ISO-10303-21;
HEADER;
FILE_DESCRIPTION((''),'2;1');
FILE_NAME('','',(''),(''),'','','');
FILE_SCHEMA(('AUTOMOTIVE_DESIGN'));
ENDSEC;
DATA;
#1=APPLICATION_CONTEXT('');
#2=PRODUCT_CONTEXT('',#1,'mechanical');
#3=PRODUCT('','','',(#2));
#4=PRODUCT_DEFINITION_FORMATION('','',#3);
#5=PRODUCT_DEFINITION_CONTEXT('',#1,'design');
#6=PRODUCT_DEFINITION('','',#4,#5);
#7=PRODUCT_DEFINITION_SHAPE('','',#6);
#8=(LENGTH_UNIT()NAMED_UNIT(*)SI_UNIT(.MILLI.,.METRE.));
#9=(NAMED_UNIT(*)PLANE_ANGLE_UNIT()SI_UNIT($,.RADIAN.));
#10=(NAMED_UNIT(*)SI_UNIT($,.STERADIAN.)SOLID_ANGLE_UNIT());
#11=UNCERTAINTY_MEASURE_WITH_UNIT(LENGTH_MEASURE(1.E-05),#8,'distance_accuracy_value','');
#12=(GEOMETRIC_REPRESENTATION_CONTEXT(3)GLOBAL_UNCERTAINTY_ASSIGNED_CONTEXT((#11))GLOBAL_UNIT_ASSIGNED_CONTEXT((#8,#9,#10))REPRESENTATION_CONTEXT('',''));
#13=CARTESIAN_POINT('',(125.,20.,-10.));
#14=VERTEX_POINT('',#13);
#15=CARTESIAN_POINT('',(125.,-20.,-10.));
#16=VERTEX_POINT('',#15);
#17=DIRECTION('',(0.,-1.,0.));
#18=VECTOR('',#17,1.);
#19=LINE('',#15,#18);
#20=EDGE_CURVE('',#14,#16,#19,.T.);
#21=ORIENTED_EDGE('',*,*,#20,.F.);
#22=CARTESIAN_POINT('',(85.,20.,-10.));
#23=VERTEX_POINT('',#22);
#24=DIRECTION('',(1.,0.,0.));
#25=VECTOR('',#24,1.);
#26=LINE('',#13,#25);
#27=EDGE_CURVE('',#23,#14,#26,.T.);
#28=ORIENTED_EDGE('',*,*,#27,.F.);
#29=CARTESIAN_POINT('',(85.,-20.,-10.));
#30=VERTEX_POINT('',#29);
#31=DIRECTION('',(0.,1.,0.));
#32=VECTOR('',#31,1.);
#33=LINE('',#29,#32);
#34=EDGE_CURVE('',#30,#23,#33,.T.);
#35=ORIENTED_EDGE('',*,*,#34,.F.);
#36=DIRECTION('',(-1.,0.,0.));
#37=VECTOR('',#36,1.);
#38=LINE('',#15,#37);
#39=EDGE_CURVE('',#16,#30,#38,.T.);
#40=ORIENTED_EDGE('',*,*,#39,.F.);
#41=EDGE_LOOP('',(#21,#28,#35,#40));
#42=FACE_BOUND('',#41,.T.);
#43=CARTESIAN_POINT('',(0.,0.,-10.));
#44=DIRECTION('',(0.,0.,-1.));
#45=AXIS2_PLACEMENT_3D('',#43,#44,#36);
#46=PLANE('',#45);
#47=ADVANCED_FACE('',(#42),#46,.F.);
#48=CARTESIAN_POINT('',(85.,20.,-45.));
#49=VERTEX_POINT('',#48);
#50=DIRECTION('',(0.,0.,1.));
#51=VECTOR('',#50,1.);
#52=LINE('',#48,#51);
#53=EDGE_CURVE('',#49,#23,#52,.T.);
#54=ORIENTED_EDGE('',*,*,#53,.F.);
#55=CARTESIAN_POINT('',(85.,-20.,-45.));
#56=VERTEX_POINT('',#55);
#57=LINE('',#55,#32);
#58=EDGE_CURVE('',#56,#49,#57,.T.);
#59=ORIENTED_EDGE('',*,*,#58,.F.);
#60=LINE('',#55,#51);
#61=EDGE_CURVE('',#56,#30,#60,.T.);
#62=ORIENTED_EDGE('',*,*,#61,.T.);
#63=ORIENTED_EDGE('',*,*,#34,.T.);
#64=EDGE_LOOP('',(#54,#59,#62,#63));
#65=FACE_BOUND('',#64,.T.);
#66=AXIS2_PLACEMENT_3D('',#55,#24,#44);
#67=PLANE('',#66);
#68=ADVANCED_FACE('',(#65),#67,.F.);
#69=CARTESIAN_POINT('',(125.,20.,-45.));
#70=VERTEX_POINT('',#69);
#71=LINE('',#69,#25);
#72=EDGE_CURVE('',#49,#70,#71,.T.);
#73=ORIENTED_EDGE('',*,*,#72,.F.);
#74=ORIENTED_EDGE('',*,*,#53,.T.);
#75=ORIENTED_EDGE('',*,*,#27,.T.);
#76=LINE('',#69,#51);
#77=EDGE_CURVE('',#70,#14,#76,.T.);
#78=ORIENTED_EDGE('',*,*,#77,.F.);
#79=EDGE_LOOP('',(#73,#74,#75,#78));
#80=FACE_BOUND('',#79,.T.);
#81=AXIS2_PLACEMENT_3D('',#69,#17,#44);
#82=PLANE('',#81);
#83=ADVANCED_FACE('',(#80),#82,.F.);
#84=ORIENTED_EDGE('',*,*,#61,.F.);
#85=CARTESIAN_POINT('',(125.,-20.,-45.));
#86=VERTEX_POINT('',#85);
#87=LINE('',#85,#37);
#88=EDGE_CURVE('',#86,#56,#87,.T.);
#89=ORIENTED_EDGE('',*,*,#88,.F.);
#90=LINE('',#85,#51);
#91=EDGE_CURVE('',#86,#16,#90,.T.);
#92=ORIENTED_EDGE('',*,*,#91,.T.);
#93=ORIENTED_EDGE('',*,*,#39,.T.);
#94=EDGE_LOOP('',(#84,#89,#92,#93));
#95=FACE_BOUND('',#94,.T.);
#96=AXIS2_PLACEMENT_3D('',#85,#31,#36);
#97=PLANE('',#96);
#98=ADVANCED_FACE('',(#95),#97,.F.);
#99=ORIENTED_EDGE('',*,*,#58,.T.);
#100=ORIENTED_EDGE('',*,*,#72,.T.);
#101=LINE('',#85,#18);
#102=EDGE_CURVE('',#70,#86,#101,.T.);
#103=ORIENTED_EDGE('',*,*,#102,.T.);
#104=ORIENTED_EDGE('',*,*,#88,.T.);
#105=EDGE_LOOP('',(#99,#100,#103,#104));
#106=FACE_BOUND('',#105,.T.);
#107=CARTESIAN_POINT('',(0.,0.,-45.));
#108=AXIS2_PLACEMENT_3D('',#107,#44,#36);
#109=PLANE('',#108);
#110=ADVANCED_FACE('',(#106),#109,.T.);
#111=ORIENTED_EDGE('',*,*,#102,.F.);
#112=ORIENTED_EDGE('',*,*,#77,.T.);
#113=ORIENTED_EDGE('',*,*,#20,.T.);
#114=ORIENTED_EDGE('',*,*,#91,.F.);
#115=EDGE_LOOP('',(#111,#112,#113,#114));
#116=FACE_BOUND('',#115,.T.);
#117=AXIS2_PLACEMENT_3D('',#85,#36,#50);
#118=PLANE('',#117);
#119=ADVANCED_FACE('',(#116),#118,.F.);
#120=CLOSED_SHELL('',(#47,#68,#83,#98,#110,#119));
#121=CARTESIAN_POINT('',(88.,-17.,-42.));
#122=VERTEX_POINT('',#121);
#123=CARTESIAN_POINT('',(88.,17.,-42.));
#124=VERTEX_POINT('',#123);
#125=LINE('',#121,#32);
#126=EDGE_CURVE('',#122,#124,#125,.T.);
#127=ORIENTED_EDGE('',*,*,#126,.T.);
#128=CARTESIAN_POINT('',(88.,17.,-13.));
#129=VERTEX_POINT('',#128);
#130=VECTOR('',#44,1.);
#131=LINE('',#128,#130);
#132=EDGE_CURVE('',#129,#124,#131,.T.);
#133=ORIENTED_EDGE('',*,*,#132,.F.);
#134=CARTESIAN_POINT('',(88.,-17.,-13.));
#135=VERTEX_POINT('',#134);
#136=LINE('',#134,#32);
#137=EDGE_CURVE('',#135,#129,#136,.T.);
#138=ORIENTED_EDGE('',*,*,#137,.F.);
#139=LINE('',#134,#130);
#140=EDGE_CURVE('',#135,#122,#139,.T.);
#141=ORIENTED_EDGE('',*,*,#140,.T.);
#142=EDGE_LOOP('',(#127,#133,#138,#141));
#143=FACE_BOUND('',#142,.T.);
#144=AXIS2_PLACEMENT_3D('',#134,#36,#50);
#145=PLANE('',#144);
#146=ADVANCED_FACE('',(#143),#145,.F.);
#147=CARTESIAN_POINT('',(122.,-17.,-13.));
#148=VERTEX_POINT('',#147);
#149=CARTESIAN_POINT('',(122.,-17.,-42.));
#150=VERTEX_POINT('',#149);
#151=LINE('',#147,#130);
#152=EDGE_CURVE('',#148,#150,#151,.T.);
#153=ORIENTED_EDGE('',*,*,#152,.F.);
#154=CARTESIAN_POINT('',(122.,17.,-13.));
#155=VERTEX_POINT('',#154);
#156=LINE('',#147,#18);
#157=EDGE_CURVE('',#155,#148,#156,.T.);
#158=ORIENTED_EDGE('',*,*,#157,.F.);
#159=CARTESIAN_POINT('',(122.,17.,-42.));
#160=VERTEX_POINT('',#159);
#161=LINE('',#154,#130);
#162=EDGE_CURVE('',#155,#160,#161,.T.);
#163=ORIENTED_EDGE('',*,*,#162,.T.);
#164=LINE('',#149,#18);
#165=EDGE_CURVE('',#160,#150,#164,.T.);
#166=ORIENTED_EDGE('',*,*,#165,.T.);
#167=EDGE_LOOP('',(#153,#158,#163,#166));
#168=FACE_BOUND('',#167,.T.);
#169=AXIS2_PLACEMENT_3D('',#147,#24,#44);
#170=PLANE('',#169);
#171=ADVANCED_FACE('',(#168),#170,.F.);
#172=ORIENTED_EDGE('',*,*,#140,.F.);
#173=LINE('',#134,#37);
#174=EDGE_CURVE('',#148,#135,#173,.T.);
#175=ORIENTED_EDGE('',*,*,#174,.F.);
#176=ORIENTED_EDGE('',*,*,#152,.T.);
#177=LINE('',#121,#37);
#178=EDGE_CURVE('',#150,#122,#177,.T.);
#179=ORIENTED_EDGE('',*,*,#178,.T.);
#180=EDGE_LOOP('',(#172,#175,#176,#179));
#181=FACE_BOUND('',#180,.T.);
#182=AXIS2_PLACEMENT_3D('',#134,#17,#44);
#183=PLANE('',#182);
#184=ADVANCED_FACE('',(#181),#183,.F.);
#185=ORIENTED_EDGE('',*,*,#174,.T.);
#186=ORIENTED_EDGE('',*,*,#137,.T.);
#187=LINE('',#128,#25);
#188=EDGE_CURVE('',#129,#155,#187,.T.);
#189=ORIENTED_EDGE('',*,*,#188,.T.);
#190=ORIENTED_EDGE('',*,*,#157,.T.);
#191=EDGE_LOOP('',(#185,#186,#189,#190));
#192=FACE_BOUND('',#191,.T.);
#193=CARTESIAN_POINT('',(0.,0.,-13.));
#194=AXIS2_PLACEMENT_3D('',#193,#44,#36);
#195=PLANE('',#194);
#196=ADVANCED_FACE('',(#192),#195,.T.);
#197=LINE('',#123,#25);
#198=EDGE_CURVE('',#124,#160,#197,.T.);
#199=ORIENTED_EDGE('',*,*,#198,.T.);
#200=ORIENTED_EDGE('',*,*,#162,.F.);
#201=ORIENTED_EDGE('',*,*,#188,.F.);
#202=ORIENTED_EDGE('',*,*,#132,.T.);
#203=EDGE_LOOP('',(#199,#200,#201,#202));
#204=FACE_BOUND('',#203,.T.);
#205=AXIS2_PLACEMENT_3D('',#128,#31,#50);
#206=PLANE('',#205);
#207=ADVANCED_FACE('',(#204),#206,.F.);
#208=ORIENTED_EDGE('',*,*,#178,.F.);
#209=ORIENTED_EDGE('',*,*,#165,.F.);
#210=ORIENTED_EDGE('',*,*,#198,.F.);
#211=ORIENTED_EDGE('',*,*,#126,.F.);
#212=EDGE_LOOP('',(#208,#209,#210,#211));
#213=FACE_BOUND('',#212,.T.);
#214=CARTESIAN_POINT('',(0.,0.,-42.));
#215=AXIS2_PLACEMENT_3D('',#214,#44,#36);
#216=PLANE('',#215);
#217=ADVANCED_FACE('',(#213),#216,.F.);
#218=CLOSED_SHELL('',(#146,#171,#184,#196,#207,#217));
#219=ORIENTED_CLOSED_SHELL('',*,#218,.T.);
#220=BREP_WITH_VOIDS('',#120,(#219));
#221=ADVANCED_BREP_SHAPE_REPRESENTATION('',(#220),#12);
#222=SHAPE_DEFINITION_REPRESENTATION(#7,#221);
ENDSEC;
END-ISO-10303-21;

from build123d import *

# Parameters (mm, degrees)
SKETCH4_W           = 40
SKETCH4_H           = 40
BOSS_EXTRUDE2_DEPTH = 35
CUT_EXTRUDE1_START  = -3
SKETCH5_W           = 34
SKETCH5_H           = 34
CUT_EXTRUDE1_DEPTH  = 29


with BuildPart() as part:
    # Sketch4 → Boss-Extrude2 (new body)
    with BuildSketch(Plane(origin=(0, 0, -10), x_dir=(-1, 0, 0), z_dir=(0, 0, -1))):
        with Locations((-105, 0)):
            Rectangle(SKETCH4_W, SKETCH4_H)
    extrude(amount=BOSS_EXTRUDE2_DEPTH)

    # Sketch5 → Cut-Extrude1 (cut)
    with BuildSketch(Plane(origin=(0, 0, -45), x_dir=(-1, 0, 0), z_dir=(0, 0, -1)).offset(CUT_EXTRUDE1_START)):
        with Locations((-105, 0)):
            Rectangle(SKETCH5_W, SKETCH5_H)
    extrude(amount=-CUT_EXTRUDE1_DEPTH, mode=Mode.SUBTRACT)


solid = part.part
